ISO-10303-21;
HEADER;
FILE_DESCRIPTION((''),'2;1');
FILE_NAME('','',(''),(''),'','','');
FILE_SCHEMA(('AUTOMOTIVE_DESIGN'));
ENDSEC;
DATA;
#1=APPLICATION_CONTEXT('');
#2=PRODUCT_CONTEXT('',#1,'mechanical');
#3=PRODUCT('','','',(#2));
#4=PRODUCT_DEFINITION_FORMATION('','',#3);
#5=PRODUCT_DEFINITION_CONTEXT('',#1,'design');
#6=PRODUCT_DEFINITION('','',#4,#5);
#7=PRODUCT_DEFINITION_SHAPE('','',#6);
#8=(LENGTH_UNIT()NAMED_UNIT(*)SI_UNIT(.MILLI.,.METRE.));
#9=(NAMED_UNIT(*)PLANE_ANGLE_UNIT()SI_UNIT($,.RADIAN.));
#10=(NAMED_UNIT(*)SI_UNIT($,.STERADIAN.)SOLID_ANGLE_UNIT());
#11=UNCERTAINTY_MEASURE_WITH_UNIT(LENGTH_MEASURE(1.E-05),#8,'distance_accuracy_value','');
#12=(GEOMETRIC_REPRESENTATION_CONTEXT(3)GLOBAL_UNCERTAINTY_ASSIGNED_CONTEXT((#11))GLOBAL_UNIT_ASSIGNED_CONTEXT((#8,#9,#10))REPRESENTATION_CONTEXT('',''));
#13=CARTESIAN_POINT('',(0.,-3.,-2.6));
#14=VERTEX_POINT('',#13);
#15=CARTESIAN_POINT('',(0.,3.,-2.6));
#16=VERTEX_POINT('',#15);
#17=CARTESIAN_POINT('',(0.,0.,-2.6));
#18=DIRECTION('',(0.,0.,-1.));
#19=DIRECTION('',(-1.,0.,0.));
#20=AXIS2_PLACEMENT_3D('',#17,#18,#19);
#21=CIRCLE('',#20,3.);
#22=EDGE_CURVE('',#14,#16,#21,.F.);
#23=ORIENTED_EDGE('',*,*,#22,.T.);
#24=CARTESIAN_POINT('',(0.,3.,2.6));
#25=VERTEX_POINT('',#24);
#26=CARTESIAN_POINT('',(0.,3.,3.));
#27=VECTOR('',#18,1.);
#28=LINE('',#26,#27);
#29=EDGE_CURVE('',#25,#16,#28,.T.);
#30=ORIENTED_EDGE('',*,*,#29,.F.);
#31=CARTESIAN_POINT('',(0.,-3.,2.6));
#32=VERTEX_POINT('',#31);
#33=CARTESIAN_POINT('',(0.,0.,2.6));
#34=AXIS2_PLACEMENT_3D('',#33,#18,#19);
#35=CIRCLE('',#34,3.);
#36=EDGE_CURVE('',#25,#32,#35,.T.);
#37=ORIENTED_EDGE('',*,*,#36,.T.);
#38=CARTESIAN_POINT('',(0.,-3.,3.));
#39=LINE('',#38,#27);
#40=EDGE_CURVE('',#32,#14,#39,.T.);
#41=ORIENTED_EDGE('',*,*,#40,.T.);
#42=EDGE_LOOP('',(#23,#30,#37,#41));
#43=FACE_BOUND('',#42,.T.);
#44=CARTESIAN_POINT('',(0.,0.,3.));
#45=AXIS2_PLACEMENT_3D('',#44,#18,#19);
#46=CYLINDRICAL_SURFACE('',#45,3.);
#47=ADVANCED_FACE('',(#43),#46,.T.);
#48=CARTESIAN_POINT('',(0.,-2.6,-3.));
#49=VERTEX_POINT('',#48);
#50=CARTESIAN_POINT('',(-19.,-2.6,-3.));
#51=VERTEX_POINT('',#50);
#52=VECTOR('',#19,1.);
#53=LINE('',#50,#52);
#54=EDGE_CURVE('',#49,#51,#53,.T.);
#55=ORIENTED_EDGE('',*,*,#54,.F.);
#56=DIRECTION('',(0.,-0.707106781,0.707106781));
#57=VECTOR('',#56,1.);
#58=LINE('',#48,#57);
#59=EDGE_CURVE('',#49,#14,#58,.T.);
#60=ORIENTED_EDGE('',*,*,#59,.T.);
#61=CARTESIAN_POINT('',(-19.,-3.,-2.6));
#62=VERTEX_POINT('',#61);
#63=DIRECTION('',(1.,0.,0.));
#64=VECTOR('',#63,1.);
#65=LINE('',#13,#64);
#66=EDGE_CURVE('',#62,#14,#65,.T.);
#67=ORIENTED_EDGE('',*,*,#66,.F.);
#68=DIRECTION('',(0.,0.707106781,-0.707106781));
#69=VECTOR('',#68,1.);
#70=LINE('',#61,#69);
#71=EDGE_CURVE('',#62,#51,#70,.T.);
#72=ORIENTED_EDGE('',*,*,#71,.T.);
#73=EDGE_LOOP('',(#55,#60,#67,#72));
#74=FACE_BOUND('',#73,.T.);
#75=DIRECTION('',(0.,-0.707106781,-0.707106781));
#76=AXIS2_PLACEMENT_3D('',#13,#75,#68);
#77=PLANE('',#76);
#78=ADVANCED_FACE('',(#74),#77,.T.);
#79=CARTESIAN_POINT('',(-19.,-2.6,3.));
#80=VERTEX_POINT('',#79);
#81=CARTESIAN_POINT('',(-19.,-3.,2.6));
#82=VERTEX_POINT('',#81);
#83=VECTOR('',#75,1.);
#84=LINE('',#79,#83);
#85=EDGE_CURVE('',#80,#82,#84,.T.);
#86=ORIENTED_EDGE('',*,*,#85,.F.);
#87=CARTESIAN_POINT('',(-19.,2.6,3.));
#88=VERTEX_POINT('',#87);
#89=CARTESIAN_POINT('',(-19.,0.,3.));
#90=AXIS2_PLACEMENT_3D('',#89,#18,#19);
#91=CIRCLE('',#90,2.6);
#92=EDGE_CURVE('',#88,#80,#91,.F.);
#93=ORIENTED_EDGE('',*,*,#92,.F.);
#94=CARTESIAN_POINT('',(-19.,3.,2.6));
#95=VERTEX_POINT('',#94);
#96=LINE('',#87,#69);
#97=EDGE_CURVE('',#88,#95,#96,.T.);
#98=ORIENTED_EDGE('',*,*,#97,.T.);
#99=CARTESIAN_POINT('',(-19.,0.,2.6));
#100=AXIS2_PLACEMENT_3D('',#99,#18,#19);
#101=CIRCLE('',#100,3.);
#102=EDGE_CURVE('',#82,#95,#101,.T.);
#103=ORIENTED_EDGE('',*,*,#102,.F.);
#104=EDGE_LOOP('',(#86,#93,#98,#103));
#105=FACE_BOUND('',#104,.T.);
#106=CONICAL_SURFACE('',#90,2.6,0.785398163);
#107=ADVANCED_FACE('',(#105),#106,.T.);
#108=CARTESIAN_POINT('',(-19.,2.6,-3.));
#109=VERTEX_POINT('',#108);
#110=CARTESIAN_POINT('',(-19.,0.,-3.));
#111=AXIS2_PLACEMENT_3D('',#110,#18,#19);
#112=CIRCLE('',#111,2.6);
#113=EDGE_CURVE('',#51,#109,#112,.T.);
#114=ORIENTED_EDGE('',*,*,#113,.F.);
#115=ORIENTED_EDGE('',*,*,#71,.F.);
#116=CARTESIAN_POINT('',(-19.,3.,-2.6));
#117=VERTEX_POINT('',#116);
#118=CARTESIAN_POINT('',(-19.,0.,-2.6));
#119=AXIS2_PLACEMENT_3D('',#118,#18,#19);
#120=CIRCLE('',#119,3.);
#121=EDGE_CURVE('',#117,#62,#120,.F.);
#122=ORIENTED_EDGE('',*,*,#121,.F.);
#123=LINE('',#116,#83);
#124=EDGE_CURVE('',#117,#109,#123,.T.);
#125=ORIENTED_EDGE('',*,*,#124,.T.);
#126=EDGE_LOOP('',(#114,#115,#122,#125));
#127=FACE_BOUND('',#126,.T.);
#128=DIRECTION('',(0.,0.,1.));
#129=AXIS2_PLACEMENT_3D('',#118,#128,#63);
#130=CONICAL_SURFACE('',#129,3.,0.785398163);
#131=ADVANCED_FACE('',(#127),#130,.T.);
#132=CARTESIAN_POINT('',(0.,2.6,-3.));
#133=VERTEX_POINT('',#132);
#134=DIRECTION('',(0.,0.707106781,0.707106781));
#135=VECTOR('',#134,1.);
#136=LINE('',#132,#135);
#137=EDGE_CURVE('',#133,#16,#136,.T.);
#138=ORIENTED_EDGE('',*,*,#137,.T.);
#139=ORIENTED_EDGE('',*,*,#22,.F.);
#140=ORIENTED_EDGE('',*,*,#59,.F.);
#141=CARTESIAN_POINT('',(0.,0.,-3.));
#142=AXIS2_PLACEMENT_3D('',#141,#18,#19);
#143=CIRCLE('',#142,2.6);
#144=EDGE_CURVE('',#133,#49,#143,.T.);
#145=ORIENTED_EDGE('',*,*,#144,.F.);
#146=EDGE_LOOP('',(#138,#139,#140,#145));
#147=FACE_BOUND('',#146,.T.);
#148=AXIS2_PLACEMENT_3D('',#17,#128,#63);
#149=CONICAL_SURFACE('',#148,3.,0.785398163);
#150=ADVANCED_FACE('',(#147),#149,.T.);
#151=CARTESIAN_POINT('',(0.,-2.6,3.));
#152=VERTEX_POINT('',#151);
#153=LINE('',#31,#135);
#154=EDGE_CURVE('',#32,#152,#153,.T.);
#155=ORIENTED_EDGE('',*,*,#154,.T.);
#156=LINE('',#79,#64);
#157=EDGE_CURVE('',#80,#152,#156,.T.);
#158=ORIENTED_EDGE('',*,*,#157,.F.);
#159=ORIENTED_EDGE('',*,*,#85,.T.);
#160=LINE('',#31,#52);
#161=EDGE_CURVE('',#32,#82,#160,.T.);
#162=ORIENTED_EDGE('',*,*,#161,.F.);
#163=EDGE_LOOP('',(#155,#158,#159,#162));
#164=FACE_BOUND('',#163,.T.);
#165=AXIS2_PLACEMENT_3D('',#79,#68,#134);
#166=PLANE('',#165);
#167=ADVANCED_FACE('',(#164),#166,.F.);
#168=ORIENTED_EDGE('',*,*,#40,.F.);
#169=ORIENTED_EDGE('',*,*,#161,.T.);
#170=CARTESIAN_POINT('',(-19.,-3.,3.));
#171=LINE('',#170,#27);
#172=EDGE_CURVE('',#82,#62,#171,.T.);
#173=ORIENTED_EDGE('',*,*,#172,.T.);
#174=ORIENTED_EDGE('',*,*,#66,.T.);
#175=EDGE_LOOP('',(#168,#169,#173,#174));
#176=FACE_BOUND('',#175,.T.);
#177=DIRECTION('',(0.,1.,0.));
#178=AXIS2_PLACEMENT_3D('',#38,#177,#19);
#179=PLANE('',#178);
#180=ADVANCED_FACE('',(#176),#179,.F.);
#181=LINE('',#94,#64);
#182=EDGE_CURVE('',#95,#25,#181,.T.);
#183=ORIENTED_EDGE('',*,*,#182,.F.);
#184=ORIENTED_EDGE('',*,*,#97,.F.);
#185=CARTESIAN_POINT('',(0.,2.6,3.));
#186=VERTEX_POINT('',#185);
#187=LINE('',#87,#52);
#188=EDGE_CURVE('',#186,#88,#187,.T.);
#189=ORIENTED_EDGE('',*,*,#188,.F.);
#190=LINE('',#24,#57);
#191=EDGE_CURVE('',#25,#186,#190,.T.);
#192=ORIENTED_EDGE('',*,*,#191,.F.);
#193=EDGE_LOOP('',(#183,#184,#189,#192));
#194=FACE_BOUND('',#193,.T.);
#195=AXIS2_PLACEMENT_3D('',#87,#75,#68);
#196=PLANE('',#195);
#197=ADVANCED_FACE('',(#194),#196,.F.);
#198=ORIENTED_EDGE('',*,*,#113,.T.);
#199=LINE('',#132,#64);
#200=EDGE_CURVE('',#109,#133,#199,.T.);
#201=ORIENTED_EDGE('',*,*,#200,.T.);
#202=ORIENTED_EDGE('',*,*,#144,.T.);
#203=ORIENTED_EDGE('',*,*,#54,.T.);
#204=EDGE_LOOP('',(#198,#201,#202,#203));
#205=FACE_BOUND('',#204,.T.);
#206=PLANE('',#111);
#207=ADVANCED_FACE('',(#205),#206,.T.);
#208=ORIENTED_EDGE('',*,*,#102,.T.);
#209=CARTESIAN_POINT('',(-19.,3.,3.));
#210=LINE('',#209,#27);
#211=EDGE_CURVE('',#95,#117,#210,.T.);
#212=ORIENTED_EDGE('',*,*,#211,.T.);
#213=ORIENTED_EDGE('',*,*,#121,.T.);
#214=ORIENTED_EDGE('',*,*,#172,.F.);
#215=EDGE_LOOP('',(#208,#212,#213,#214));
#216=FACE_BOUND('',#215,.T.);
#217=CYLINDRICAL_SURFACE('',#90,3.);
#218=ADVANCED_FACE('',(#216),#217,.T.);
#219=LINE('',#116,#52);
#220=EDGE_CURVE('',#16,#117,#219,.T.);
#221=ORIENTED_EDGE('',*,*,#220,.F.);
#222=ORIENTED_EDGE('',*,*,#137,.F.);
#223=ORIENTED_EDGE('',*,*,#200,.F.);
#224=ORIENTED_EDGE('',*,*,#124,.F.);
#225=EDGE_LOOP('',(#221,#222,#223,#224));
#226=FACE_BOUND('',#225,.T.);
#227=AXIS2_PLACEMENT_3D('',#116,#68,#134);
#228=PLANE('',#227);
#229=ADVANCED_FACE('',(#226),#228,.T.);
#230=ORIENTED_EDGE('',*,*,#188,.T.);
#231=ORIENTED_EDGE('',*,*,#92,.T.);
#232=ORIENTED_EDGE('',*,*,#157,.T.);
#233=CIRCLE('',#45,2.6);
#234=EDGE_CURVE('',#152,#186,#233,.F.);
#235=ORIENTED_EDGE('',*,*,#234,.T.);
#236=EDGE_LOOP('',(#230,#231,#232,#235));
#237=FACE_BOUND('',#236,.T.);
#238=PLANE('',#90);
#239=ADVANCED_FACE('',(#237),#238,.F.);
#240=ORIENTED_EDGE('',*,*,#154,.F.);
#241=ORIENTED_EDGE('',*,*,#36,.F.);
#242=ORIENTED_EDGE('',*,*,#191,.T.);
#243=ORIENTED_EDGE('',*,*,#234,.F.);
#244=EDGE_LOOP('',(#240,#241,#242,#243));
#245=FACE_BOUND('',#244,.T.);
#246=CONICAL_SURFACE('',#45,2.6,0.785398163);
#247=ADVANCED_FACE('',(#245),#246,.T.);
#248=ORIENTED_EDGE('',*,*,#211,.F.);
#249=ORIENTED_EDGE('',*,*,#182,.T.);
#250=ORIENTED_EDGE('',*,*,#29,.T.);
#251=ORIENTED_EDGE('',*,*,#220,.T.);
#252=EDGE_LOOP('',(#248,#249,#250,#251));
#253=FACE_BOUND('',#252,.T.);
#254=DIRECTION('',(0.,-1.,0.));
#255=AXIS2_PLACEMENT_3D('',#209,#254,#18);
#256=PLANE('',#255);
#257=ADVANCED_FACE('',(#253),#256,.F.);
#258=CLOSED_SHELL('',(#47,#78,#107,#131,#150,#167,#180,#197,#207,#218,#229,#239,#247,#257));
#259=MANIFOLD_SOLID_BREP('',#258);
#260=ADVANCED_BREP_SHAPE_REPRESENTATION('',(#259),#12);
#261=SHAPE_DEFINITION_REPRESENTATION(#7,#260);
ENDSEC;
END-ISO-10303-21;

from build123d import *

# Parameters (mm, degrees)
BASEKEY_DEPTH = 3
CHAMFER1_SIZE = 0.4


with BuildPart() as part:
    # Sketch1 → BaseKey (new body, symmetric)
    with BuildSketch(Plane.XY):
        with BuildLine():
            Line((-19, 3), (0, 3))
            ThreePointArc((0, 3), (3, 0), (0, -3))
            Line((0, -3), (-19, -3))
            ThreePointArc((-19, -3), (-22, 0), (-19, 3))
        make_face()
    extrude(amount=BASEKEY_DEPTH, both=True)

    # Chamfer1
    chamfer1_edges = [part.edges().sort_by_distance(p)[0] for p in [
        (3, 0, 3),
        (-9.5, 3, 3),
        (-22, 0, 3),
        (-9.5, 3, -3),
        (3, 0, -3),
        (-9.5, -3, -3),
        (-22, 0, -3),
        (-9.5, -3, 3),
    ]]
    chamfer(chamfer1_edges, length=CHAMFER1_SIZE)


solid = part.part
